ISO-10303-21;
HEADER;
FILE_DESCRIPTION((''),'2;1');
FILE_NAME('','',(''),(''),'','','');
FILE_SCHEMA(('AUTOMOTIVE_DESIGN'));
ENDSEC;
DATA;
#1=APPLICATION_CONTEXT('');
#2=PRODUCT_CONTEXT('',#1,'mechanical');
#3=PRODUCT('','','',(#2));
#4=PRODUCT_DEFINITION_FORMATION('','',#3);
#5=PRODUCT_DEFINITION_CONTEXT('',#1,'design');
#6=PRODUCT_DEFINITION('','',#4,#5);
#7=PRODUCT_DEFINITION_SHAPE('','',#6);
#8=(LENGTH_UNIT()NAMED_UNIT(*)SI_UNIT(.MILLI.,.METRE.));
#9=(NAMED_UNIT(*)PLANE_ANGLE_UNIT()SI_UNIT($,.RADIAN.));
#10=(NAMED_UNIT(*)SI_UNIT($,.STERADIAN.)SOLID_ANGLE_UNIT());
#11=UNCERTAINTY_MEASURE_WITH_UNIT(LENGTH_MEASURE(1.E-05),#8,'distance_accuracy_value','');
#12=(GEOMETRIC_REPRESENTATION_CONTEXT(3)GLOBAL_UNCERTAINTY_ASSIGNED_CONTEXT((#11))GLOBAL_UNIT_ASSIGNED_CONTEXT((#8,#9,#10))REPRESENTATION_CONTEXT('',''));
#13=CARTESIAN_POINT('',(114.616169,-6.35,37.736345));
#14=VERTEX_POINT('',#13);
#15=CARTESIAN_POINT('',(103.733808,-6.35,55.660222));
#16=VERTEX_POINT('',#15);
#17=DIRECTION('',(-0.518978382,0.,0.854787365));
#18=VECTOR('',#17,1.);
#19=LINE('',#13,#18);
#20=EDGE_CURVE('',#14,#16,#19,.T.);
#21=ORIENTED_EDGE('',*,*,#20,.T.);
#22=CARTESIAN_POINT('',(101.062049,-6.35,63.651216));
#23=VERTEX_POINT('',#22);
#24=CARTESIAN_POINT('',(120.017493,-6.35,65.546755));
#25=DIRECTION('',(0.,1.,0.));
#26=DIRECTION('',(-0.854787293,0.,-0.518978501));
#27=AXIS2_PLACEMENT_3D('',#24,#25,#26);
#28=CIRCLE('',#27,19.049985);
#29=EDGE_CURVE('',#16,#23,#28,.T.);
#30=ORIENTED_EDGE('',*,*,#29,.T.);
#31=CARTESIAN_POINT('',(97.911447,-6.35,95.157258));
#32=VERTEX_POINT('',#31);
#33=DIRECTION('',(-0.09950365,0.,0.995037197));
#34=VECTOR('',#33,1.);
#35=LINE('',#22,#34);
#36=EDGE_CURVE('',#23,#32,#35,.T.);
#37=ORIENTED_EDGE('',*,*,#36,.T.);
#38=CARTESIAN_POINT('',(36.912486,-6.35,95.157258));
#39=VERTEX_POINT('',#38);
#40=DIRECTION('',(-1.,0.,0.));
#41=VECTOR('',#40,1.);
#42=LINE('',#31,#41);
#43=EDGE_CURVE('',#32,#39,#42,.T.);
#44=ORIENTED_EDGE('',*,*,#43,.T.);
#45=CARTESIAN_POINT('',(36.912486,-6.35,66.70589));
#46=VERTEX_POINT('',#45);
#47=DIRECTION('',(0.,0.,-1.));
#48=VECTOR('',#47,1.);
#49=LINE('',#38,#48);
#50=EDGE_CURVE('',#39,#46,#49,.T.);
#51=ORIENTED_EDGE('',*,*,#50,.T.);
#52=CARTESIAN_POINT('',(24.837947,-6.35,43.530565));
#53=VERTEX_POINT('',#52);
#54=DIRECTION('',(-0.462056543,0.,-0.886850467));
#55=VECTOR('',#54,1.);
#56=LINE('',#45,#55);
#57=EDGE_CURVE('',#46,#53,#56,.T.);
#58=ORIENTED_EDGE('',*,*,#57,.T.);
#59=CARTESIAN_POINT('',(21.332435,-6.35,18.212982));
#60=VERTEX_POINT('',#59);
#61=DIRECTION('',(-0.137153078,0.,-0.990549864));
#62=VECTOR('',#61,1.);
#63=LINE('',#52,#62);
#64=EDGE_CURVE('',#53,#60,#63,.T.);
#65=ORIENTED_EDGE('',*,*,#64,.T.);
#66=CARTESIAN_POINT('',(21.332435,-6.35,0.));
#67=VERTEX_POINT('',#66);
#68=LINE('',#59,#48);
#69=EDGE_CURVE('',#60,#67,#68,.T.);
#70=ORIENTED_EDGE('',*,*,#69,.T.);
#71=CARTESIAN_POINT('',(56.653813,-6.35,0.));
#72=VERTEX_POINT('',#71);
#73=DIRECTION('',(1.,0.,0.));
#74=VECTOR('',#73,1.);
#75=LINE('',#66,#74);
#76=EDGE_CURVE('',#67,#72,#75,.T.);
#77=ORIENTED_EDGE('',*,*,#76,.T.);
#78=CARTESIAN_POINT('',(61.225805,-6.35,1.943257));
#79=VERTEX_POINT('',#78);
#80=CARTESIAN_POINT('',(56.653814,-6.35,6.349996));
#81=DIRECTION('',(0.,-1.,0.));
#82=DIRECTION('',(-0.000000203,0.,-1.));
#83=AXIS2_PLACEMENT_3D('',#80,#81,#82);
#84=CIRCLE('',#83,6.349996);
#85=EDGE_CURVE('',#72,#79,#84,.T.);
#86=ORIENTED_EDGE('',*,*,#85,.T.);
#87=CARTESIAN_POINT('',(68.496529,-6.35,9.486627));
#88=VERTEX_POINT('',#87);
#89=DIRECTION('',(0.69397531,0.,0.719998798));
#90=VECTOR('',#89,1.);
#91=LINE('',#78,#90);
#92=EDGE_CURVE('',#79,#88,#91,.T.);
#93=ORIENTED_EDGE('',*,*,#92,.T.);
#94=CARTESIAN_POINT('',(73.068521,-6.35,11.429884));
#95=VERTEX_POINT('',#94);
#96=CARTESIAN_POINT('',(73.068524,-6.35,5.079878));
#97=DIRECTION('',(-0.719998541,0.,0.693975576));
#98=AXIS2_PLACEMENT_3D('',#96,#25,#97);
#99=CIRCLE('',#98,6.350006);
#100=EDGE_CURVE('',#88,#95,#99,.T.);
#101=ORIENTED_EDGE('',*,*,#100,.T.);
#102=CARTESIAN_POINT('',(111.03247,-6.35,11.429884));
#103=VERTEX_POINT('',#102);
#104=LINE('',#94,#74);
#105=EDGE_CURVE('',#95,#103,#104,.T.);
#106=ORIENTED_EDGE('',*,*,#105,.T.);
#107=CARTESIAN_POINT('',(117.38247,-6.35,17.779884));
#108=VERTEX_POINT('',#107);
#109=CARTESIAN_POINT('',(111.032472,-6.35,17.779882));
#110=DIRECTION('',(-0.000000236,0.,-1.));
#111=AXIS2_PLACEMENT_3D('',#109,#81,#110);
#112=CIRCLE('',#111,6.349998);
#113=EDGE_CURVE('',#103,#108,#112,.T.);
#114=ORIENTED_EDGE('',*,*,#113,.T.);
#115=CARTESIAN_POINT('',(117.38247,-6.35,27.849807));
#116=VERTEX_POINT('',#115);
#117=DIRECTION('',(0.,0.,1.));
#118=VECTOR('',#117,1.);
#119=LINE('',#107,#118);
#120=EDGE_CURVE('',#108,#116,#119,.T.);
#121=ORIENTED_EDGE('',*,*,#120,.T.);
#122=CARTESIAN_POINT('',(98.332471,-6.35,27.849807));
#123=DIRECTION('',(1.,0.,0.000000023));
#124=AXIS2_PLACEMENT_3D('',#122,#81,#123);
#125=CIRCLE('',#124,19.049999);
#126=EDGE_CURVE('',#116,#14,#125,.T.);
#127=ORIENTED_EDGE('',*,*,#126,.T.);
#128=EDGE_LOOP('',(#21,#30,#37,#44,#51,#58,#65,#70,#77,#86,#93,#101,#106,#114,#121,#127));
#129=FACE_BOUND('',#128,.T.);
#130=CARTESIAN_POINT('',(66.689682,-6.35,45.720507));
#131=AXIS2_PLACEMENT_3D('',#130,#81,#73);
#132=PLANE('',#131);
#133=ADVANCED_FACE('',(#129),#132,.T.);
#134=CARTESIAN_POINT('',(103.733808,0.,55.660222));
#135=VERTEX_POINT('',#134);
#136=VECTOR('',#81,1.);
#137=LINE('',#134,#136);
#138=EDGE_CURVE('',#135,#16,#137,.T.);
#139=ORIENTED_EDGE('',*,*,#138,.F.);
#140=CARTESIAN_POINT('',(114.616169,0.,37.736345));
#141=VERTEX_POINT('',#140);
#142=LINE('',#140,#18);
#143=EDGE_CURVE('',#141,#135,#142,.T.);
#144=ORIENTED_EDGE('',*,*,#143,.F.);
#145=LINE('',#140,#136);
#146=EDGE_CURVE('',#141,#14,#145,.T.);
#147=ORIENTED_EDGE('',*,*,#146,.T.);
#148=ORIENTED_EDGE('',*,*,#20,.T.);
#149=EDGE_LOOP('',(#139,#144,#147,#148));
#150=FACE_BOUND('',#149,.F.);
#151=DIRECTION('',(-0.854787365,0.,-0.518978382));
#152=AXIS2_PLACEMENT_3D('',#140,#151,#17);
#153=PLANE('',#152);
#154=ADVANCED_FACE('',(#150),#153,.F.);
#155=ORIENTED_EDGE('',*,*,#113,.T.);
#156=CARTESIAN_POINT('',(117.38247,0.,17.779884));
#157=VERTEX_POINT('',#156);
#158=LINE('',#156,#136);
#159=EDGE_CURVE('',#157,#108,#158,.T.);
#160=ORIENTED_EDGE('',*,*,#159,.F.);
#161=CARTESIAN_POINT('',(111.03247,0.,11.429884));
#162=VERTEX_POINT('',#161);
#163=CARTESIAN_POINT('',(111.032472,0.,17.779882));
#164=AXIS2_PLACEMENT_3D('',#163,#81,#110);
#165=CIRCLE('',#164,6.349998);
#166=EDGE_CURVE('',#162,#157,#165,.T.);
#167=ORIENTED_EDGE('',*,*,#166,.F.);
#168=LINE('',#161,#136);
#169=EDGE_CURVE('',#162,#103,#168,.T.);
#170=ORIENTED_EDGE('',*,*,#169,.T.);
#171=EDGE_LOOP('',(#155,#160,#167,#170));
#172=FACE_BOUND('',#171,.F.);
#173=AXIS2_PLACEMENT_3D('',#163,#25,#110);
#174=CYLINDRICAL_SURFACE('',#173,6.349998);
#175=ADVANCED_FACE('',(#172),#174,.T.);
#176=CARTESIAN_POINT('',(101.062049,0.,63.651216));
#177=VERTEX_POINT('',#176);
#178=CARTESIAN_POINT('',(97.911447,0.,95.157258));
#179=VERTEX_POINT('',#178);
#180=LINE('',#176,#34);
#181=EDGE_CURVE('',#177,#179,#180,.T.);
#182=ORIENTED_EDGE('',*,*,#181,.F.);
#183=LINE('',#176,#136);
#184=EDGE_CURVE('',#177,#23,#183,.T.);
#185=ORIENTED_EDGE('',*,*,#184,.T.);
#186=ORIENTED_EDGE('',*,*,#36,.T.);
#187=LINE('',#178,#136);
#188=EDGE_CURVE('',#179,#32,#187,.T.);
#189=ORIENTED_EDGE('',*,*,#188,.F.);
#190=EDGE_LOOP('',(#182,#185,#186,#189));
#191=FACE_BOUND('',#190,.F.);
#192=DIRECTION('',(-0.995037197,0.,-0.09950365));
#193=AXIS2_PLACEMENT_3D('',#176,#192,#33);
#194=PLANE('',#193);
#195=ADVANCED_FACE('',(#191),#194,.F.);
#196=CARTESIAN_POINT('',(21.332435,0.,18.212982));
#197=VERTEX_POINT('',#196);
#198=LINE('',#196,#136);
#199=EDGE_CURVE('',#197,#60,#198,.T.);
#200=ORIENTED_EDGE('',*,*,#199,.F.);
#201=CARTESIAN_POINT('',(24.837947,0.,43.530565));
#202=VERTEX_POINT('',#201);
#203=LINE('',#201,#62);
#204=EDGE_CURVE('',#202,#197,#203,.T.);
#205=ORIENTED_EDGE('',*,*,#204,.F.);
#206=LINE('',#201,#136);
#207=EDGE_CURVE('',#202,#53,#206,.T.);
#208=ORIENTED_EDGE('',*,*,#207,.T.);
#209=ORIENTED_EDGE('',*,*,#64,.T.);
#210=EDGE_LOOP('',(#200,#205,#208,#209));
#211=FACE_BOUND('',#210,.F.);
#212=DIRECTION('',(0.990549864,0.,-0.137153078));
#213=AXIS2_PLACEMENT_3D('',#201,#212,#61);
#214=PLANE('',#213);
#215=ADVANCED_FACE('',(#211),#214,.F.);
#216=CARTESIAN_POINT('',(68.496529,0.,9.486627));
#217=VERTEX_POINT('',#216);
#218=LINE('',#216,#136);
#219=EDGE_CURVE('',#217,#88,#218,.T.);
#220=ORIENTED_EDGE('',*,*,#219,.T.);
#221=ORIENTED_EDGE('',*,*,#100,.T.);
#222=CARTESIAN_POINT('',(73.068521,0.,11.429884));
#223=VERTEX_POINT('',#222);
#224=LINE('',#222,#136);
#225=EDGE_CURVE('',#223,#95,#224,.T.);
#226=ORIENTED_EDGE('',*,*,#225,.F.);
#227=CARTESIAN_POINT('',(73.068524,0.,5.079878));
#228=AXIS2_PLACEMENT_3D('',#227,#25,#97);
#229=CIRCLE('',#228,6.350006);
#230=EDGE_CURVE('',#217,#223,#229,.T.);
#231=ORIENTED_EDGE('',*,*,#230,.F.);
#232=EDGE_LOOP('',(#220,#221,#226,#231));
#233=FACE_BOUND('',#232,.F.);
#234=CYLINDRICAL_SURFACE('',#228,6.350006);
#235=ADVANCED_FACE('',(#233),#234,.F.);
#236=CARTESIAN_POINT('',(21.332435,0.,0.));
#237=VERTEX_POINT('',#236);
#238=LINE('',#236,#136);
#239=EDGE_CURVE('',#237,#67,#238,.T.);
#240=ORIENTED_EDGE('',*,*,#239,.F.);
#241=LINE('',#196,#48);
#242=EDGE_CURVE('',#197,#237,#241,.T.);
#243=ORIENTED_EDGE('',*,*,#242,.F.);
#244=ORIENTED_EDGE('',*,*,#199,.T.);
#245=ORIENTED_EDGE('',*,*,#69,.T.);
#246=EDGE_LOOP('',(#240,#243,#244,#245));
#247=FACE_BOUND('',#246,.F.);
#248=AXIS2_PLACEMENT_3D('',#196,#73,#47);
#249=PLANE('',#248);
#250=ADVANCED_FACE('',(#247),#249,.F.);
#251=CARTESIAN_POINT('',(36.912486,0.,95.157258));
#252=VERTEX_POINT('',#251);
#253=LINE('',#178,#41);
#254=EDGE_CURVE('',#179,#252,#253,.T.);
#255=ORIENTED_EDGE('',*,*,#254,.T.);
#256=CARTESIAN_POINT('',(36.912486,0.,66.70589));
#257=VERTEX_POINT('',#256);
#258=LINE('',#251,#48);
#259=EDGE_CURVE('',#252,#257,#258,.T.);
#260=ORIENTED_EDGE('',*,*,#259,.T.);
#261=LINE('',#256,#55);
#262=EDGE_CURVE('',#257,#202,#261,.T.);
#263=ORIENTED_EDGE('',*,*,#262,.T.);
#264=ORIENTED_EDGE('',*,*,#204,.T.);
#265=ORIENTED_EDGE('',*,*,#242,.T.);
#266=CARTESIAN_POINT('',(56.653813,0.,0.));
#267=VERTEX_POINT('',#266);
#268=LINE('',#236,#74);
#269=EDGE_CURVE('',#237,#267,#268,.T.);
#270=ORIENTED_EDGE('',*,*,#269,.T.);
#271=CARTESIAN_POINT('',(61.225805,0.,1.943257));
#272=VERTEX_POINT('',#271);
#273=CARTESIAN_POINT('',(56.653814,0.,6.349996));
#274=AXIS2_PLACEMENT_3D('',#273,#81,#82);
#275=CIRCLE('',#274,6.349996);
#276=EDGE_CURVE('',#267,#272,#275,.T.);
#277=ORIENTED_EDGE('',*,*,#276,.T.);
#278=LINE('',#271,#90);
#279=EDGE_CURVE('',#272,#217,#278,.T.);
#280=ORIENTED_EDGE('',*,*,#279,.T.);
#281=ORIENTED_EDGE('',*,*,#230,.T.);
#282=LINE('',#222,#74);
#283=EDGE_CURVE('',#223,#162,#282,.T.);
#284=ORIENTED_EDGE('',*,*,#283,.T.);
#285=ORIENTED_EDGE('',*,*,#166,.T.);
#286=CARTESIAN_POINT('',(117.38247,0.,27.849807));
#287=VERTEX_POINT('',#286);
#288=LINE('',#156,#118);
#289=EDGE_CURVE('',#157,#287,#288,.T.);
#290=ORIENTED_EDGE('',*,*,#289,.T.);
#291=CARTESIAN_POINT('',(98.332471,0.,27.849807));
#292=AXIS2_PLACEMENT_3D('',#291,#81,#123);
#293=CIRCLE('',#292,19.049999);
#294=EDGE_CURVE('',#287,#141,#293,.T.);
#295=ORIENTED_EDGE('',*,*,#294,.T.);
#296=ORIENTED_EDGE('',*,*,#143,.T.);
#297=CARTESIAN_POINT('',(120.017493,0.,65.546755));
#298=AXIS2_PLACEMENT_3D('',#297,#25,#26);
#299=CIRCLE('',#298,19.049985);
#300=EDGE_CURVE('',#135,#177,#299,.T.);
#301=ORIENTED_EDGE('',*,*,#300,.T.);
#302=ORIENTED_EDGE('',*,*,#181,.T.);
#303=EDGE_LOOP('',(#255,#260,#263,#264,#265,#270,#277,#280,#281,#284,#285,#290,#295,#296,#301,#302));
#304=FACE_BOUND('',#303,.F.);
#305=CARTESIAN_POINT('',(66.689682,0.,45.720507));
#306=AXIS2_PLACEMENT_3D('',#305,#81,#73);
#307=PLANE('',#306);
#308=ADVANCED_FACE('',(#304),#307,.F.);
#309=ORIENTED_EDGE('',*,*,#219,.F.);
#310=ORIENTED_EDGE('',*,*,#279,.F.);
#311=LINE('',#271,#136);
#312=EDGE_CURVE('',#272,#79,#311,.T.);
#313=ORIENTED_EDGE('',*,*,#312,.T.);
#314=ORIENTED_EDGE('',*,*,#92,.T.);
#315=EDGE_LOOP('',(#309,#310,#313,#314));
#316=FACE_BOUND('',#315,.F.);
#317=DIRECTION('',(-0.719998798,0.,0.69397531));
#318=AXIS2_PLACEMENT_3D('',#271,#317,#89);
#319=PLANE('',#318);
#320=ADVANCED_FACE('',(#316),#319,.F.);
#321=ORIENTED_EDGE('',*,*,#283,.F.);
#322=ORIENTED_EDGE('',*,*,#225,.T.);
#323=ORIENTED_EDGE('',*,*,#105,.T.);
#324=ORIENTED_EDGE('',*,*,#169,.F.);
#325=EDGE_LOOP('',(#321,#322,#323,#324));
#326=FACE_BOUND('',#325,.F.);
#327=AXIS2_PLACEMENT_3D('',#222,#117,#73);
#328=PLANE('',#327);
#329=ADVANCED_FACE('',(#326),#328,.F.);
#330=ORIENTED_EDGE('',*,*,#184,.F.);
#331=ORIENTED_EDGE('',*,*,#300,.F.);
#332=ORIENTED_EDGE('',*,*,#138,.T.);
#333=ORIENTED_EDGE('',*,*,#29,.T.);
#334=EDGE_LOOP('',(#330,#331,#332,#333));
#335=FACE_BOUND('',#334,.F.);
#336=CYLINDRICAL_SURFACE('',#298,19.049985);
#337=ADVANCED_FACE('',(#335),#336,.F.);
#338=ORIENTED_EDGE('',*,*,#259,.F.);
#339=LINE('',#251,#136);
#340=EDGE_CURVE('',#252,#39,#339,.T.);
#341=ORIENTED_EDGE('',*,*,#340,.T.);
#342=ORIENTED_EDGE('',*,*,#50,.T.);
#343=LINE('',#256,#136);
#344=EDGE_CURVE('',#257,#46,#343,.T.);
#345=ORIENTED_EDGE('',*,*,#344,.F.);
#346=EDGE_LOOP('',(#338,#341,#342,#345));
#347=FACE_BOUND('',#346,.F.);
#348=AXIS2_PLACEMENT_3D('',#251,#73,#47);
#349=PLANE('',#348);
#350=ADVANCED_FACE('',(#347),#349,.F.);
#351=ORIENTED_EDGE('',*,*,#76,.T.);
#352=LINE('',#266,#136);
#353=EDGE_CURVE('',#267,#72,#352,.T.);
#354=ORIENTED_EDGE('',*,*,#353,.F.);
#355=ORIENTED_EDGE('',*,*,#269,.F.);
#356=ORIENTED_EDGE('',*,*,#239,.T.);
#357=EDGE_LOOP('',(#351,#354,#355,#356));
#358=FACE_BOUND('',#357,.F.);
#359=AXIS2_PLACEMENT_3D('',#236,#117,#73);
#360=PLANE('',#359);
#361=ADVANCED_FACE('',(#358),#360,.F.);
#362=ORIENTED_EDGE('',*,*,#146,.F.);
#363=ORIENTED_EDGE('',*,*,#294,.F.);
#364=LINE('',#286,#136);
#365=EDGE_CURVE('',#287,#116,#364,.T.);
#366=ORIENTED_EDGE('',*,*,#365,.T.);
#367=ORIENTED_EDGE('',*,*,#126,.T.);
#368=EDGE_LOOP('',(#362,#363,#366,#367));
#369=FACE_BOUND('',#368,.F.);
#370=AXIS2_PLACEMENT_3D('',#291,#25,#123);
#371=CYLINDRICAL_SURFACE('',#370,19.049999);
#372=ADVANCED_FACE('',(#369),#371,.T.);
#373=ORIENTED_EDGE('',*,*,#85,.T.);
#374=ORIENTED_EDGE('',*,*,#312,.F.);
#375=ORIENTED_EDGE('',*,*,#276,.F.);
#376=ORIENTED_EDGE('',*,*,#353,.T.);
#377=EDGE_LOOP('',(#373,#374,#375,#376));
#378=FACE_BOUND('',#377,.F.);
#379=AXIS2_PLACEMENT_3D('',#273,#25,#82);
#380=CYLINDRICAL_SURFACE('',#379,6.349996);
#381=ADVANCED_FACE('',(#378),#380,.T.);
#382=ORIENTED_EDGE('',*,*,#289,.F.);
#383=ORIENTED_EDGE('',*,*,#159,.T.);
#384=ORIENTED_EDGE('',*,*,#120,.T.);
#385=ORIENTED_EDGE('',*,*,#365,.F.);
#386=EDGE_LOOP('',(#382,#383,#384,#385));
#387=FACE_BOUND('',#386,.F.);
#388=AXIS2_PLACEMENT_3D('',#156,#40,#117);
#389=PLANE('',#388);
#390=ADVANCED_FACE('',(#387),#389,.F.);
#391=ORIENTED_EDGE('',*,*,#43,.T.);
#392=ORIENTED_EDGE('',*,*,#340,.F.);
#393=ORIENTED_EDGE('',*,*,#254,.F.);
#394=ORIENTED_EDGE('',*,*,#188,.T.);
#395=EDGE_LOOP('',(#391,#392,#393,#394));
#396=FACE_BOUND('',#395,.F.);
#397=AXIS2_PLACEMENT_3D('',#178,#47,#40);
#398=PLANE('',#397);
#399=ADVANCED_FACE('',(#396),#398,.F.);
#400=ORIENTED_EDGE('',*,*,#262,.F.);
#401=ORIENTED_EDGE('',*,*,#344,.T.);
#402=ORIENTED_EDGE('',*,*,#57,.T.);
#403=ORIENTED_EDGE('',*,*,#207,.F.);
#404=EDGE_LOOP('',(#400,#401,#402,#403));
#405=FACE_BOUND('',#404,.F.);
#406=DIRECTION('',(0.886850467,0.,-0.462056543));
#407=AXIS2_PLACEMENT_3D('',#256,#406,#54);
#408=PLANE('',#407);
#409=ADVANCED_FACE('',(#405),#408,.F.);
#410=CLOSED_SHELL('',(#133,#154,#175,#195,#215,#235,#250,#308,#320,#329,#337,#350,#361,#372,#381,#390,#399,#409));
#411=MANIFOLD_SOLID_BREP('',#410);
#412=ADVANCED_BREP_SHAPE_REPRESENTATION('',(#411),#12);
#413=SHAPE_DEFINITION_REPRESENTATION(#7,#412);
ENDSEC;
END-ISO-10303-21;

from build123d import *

# Parameters (mm, degrees)
F1_DEPTH = 6.35


with BuildPart() as f1:
    # F0 (on Front) → F1 (new body)
    with BuildSketch(Plane.XZ):
        with BuildLine():
            Line((21.332435, 18.212982), (21.332435, 0))
            Line((21.332435, 0), (56.653813, 0))
            ThreePointArc((56.653813, 0), (59.137729, 0.505972), (61.225805, 1.943257))
            Line((61.225805, 1.943257), (68.496529, 9.486627))
            ThreePointArc((68.496529, 9.486627), (70.584605, 10.923911), (73.068521, 11.429884))
            Line((73.068521, 11.429884), (111.03247, 11.429884))
            ThreePointArc((111.03247, 11.429884), (115.522598, 13.289755), (117.38247, 17.779884))
            Line((117.38247, 17.779884), (117.38247, 27.849807))
            ThreePointArc((117.38247, 27.849807), (116.677864, 32.982936), (114.616169, 37.736345))
            Line((114.616169, 37.736345), (103.733808, 55.660222))
            ThreePointArc((103.733808, 55.660222), (101.950588, 59.506153), (101.062049, 63.651216))
            Line((101.062049, 63.651216), (97.911447, 95.157258))
            Line((97.911447, 95.157258), (36.912486, 95.157258))
            Line((36.912486, 95.157258), (36.912486, 66.70589))
            Line((36.912486, 66.70589), (24.837947, 43.530565))
            Line((24.837947, 43.530565), (21.332435, 18.212982))
        make_face()
    extrude(amount=F1_DEPTH)


solid = f1.part
